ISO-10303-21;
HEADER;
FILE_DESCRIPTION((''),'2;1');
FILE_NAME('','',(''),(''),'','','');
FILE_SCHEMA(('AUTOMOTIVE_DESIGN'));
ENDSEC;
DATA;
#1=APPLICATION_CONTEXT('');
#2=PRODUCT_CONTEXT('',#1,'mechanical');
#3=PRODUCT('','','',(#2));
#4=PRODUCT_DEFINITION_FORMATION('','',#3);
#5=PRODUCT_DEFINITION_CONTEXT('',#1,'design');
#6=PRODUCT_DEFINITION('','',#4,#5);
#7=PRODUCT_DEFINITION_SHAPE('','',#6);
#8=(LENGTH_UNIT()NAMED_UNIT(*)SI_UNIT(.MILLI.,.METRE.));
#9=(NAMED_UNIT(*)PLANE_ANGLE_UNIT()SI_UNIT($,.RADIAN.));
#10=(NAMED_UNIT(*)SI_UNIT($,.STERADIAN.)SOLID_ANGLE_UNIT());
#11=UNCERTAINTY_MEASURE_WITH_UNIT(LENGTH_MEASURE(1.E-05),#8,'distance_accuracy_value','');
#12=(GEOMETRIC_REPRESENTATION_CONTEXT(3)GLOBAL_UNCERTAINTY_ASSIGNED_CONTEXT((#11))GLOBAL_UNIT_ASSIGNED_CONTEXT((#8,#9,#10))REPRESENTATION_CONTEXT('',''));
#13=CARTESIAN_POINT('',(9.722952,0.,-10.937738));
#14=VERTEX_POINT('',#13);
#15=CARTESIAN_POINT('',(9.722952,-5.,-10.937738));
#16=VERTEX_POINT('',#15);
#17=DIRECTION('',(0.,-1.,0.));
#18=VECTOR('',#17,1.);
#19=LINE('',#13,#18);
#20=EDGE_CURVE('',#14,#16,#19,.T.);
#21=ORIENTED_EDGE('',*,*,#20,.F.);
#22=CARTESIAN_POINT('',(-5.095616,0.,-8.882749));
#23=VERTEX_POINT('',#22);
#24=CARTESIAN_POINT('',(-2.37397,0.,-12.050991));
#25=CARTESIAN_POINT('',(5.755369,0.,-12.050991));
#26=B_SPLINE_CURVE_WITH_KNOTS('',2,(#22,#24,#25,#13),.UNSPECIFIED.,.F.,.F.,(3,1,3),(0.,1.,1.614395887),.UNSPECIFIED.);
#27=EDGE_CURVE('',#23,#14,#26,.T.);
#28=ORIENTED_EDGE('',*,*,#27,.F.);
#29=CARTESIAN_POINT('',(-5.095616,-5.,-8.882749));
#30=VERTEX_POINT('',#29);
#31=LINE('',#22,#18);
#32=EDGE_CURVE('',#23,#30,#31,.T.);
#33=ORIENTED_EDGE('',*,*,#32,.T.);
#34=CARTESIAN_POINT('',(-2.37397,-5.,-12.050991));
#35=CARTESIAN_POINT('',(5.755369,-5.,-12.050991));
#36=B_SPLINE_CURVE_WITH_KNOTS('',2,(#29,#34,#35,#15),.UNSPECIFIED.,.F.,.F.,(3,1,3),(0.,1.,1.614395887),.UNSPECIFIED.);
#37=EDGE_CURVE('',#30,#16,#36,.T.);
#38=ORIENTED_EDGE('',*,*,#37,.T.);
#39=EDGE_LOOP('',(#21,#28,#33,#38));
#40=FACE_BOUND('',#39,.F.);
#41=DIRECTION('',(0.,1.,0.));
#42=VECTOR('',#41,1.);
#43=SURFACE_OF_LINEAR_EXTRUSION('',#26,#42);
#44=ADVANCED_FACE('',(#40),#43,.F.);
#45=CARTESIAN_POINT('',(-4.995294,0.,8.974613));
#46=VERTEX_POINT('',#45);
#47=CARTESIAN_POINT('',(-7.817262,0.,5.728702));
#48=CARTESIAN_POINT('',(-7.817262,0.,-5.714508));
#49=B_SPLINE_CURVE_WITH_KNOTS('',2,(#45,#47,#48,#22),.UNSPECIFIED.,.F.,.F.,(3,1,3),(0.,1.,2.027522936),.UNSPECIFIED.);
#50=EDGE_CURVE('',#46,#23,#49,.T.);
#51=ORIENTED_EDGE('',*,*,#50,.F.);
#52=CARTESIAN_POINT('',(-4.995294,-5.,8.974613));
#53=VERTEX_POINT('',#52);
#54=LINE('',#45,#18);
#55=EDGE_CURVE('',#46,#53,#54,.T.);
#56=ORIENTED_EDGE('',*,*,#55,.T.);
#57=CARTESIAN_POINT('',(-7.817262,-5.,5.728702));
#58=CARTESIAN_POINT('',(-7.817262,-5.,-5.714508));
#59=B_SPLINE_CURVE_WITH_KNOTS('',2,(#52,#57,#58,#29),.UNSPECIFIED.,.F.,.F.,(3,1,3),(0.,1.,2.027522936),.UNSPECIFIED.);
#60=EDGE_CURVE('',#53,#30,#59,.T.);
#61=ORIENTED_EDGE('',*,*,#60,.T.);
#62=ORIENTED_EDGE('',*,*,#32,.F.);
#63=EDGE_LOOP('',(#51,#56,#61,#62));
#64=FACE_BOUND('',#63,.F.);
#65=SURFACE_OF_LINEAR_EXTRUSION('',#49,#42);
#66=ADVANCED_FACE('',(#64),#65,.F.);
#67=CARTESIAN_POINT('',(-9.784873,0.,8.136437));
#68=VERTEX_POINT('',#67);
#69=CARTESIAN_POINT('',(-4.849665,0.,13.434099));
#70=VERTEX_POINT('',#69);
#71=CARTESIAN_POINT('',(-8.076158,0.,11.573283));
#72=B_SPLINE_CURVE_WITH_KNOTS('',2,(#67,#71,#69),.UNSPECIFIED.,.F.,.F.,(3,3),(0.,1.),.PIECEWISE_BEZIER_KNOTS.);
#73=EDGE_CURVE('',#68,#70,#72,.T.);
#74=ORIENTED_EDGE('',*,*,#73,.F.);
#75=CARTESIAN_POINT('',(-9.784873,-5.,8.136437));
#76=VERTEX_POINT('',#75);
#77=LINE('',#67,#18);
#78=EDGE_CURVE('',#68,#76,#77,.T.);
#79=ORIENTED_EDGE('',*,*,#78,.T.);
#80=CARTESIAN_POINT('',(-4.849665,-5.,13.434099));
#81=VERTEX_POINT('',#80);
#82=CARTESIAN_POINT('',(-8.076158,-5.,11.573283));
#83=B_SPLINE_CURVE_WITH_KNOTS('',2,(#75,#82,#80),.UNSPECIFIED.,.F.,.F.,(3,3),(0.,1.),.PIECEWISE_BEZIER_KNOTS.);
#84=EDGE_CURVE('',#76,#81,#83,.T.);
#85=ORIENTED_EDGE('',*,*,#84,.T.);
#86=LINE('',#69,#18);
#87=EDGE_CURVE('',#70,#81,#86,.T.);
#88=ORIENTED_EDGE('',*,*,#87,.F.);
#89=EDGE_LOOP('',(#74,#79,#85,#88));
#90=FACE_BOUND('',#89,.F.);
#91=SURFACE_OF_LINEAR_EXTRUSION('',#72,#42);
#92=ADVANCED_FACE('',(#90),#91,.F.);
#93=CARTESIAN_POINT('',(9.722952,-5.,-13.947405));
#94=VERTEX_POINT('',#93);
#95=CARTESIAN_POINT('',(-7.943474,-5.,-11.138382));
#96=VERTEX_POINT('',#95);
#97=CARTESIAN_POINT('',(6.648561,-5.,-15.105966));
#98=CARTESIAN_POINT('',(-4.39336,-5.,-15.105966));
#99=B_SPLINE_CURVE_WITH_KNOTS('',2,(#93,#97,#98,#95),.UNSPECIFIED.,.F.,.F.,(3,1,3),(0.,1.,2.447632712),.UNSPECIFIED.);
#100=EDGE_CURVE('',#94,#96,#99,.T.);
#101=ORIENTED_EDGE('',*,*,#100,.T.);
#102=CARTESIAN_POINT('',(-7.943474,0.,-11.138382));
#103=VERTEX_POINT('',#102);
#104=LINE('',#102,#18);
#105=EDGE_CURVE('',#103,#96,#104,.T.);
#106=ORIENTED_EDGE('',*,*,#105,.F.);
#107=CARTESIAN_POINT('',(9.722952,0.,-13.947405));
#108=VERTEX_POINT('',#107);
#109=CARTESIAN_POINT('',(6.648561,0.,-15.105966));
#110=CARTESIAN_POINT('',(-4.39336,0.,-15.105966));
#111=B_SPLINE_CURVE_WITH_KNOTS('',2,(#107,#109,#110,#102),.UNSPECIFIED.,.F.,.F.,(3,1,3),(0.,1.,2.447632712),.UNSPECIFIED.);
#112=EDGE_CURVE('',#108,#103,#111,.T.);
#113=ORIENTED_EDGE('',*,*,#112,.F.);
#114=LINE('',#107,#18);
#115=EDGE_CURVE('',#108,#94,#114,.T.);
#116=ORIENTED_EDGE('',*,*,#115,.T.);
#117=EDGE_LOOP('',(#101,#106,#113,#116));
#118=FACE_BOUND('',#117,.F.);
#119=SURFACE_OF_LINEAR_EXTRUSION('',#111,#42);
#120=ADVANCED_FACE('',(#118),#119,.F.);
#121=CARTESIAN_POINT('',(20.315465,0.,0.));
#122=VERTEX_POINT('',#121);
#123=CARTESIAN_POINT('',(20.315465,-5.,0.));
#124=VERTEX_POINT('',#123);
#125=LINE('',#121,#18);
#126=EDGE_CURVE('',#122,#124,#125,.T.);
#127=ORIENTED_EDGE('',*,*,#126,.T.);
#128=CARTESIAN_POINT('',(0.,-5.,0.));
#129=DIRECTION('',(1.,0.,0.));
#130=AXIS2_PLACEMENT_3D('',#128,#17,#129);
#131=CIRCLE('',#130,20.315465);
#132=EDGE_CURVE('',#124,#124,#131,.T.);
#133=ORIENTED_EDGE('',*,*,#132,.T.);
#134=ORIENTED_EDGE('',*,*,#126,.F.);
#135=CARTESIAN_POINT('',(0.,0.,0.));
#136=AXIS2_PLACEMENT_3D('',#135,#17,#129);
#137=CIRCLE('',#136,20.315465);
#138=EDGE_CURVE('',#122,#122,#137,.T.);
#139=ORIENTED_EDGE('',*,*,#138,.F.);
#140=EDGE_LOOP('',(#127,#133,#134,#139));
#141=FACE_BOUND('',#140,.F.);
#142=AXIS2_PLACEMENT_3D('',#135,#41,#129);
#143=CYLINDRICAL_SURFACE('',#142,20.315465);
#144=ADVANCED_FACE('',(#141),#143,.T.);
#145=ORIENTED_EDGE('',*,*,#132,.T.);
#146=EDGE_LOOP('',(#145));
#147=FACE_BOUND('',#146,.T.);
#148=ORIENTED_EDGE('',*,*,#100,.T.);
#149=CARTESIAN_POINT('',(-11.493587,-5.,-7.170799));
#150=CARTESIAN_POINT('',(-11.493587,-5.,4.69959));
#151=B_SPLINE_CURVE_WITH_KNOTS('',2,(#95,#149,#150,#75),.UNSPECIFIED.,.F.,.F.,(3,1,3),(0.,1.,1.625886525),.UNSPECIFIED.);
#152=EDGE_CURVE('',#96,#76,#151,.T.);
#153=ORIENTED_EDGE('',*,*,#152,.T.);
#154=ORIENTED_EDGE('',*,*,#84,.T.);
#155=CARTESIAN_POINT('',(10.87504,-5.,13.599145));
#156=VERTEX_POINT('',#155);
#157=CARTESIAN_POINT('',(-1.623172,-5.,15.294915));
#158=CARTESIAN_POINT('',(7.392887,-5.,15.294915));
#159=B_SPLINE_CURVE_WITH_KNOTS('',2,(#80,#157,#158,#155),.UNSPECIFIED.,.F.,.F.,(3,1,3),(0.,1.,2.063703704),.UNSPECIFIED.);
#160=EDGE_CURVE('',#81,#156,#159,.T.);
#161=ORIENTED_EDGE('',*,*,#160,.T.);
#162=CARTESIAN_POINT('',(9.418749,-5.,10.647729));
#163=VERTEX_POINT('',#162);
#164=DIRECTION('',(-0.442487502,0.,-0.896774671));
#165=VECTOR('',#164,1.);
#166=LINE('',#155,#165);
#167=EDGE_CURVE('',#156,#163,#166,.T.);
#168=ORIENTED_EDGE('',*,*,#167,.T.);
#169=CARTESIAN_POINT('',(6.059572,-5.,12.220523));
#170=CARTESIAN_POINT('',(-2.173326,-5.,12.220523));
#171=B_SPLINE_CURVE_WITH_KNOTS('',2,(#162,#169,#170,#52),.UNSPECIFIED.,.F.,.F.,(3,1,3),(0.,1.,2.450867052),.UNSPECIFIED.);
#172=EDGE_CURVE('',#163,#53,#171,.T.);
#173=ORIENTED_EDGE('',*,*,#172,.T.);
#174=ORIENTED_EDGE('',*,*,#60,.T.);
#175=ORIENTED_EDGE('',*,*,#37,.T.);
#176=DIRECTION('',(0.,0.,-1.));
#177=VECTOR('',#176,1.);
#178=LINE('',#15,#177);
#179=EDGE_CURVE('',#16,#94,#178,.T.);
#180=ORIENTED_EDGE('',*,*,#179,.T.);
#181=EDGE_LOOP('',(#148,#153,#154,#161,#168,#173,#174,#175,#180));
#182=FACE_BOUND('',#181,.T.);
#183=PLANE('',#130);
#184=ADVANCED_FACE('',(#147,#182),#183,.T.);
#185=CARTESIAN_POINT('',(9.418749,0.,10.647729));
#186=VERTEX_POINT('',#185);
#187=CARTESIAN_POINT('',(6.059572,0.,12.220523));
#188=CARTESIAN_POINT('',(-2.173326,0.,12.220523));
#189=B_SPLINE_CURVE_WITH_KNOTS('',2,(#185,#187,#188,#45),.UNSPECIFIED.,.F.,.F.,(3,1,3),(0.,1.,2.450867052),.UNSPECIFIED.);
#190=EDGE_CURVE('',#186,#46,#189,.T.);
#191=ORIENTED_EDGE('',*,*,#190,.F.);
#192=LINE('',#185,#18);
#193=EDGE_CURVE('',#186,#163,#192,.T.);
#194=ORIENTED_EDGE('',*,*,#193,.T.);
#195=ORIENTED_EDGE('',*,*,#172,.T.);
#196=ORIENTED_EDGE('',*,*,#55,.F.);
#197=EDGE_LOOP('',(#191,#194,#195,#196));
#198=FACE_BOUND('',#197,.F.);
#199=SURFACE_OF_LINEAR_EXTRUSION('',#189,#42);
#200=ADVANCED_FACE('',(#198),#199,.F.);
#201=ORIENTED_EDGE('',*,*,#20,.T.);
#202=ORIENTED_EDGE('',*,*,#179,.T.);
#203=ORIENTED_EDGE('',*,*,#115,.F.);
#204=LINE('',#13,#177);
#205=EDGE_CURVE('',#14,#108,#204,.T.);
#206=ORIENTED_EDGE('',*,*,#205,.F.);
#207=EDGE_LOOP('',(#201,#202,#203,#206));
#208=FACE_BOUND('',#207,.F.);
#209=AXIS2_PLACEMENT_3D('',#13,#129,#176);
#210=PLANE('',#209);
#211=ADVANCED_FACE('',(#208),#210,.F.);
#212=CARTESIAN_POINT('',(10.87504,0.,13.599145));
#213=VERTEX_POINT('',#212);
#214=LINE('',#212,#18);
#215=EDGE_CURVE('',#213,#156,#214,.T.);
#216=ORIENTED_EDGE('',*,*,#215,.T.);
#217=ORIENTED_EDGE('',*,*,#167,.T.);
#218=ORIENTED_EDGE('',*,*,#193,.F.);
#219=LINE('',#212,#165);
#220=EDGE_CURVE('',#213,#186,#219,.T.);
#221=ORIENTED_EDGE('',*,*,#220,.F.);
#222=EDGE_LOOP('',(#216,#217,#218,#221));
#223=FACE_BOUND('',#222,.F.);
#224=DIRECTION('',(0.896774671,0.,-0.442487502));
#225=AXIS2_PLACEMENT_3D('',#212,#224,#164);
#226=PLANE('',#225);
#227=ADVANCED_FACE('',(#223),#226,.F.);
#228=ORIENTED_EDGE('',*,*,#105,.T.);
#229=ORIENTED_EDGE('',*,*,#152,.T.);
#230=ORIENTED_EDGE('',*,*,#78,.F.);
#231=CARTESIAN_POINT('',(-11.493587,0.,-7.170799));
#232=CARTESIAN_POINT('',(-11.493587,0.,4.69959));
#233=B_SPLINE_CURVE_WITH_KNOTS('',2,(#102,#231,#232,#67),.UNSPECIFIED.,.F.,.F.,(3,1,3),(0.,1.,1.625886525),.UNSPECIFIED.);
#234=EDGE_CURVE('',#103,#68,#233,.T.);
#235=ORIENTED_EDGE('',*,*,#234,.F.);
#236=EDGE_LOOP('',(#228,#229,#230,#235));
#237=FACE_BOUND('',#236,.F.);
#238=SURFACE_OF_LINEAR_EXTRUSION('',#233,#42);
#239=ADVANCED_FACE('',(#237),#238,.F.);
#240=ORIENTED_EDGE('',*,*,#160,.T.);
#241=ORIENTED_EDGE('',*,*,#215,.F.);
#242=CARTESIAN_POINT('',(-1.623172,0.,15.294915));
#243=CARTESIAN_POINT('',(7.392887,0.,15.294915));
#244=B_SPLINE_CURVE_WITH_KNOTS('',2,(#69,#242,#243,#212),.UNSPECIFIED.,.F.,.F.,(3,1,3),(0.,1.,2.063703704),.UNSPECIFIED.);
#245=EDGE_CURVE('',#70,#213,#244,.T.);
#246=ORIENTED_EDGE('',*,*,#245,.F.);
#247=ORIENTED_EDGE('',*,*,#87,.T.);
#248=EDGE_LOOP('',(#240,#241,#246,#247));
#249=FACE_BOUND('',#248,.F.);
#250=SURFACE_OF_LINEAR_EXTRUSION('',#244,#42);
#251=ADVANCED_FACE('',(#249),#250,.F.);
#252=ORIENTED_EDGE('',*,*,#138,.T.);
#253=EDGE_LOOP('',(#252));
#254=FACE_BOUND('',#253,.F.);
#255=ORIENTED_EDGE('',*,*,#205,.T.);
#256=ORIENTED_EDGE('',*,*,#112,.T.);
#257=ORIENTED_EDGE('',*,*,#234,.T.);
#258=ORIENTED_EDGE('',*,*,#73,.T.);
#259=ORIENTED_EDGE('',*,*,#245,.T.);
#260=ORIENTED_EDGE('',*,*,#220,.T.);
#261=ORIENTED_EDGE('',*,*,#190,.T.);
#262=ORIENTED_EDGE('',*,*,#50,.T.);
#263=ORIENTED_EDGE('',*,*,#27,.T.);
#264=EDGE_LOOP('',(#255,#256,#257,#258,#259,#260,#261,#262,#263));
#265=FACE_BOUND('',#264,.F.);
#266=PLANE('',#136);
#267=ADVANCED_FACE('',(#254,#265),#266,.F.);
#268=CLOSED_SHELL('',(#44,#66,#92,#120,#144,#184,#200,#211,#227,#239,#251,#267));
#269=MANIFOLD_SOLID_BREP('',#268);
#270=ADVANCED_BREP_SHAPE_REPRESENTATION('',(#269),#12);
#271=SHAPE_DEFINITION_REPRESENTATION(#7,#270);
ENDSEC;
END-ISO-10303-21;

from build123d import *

# Parameters (mm, degrees)
F0_R     = 20.3154651548
F1_DEPTH = 5


with BuildPart() as f1:
    # F0 (on Front) → F1 (new body)
    with BuildSketch(Plane.XZ):
        Circle(F0_R)
        with BuildLine():
            add(Edge.make_bspline(
                [(9.4187494535, 10.6477292851), (6.059571847, 12.2205234246), (2.7003942405, 12.2205234246)],
                knots=[0, 0, 0, 1, 1, 1], degree=2))
            add(Edge.make_bspline(
                [(2.7003942405, 12.2205234246), (-2.1733258707, 12.2205234246), (-4.9952939563, 8.9746128858)],
                knots=[0, 0, 0, 1, 1, 1], degree=2))
            add(Edge.make_bspline(
                [(-4.9952939563, 8.9746128858), (-7.8172620419, 5.7287023469), (-7.8172620419, 0.0847661757)],
                knots=[0, 0, 0, 1, 1, 1], degree=2))
            add(Edge.make_bspline(
                [(-7.8172620419, 0.0847661757), (-7.8172620419, -5.7145076884), (-5.0956162162, -8.8827493808)],
                knots=[0, 0, 0, 1, 1, 1], degree=2))
            add(Edge.make_bspline(
                [(-5.0956162162, -8.8827493808), (-2.3739703905, -12.0509910733), (2.6615598173, -12.0509910733)],
                knots=[0, 0, 0, 1, 1, 1], degree=2))
            add(Edge.make_bspline(
                [(2.6615598173, -12.0509910733), (5.7553688653, -12.0509910733), (9.7229524352, -10.9377376083)],
                knots=[0, 0, 0, 1, 1, 1], degree=2))
            Line((9.7229524352, -10.9377376083), (9.7229524352, -13.9474054061))
            add(Edge.make_bspline(
                [(9.7229524352, -13.9474054061), (6.6485605988, -15.1059656981), (2.1372951041, -15.1059656981)],
                knots=[0, 0, 0, 1, 1, 1], degree=2))
            add(Edge.make_bspline(
                [(2.1372951041, -15.1059656981), (-4.3933603968, -15.1059656981), (-7.9434739173, -11.1383821282)],
                knots=[0, 0, 0, 1, 1, 1], degree=2))
            add(Edge.make_bspline(
                [(-7.9434739173, -11.1383821282), (-11.4935874379, -7.1707985583), (-11.4935874379, 0.1300730027)],
                knots=[0, 0, 0, 1, 1, 1], degree=2))
            add(Edge.make_bspline(
                [(-11.4935874379, 0.1300730027), (-11.4935874379, 4.6995901322), (-9.7848728172, 8.1364365851)],
                knots=[0, 0, 0, 1, 1, 1], degree=2))
            add(Edge.make_bspline(
                [(-9.7848728172, 8.1364365851), (-8.0761581966, 11.573283038), (-4.8496648693, 13.4340991495)],
                knots=[0, 0, 0, 1, 1, 1], degree=2))
            add(Edge.make_bspline(
                [(-4.8496648693, 13.4340991495), (-1.6231715421, 15.294915261), (2.7457010675, 15.294915261)],
                knots=[0, 0, 0, 1, 1, 1], degree=2))
            add(Edge.make_bspline(
                [(2.7457010675, 15.294915261), (7.3928870434, 15.294915261), (10.8750403234, 13.5991454481)],
                knots=[0, 0, 0, 1, 1, 1], degree=2))
            Line((10.8750403234, 13.5991454481), (9.4187494535, 10.6477292851))
        make_face(mode=Mode.SUBTRACT)
    extrude(amount=F1_DEPTH)


solid = f1.part
